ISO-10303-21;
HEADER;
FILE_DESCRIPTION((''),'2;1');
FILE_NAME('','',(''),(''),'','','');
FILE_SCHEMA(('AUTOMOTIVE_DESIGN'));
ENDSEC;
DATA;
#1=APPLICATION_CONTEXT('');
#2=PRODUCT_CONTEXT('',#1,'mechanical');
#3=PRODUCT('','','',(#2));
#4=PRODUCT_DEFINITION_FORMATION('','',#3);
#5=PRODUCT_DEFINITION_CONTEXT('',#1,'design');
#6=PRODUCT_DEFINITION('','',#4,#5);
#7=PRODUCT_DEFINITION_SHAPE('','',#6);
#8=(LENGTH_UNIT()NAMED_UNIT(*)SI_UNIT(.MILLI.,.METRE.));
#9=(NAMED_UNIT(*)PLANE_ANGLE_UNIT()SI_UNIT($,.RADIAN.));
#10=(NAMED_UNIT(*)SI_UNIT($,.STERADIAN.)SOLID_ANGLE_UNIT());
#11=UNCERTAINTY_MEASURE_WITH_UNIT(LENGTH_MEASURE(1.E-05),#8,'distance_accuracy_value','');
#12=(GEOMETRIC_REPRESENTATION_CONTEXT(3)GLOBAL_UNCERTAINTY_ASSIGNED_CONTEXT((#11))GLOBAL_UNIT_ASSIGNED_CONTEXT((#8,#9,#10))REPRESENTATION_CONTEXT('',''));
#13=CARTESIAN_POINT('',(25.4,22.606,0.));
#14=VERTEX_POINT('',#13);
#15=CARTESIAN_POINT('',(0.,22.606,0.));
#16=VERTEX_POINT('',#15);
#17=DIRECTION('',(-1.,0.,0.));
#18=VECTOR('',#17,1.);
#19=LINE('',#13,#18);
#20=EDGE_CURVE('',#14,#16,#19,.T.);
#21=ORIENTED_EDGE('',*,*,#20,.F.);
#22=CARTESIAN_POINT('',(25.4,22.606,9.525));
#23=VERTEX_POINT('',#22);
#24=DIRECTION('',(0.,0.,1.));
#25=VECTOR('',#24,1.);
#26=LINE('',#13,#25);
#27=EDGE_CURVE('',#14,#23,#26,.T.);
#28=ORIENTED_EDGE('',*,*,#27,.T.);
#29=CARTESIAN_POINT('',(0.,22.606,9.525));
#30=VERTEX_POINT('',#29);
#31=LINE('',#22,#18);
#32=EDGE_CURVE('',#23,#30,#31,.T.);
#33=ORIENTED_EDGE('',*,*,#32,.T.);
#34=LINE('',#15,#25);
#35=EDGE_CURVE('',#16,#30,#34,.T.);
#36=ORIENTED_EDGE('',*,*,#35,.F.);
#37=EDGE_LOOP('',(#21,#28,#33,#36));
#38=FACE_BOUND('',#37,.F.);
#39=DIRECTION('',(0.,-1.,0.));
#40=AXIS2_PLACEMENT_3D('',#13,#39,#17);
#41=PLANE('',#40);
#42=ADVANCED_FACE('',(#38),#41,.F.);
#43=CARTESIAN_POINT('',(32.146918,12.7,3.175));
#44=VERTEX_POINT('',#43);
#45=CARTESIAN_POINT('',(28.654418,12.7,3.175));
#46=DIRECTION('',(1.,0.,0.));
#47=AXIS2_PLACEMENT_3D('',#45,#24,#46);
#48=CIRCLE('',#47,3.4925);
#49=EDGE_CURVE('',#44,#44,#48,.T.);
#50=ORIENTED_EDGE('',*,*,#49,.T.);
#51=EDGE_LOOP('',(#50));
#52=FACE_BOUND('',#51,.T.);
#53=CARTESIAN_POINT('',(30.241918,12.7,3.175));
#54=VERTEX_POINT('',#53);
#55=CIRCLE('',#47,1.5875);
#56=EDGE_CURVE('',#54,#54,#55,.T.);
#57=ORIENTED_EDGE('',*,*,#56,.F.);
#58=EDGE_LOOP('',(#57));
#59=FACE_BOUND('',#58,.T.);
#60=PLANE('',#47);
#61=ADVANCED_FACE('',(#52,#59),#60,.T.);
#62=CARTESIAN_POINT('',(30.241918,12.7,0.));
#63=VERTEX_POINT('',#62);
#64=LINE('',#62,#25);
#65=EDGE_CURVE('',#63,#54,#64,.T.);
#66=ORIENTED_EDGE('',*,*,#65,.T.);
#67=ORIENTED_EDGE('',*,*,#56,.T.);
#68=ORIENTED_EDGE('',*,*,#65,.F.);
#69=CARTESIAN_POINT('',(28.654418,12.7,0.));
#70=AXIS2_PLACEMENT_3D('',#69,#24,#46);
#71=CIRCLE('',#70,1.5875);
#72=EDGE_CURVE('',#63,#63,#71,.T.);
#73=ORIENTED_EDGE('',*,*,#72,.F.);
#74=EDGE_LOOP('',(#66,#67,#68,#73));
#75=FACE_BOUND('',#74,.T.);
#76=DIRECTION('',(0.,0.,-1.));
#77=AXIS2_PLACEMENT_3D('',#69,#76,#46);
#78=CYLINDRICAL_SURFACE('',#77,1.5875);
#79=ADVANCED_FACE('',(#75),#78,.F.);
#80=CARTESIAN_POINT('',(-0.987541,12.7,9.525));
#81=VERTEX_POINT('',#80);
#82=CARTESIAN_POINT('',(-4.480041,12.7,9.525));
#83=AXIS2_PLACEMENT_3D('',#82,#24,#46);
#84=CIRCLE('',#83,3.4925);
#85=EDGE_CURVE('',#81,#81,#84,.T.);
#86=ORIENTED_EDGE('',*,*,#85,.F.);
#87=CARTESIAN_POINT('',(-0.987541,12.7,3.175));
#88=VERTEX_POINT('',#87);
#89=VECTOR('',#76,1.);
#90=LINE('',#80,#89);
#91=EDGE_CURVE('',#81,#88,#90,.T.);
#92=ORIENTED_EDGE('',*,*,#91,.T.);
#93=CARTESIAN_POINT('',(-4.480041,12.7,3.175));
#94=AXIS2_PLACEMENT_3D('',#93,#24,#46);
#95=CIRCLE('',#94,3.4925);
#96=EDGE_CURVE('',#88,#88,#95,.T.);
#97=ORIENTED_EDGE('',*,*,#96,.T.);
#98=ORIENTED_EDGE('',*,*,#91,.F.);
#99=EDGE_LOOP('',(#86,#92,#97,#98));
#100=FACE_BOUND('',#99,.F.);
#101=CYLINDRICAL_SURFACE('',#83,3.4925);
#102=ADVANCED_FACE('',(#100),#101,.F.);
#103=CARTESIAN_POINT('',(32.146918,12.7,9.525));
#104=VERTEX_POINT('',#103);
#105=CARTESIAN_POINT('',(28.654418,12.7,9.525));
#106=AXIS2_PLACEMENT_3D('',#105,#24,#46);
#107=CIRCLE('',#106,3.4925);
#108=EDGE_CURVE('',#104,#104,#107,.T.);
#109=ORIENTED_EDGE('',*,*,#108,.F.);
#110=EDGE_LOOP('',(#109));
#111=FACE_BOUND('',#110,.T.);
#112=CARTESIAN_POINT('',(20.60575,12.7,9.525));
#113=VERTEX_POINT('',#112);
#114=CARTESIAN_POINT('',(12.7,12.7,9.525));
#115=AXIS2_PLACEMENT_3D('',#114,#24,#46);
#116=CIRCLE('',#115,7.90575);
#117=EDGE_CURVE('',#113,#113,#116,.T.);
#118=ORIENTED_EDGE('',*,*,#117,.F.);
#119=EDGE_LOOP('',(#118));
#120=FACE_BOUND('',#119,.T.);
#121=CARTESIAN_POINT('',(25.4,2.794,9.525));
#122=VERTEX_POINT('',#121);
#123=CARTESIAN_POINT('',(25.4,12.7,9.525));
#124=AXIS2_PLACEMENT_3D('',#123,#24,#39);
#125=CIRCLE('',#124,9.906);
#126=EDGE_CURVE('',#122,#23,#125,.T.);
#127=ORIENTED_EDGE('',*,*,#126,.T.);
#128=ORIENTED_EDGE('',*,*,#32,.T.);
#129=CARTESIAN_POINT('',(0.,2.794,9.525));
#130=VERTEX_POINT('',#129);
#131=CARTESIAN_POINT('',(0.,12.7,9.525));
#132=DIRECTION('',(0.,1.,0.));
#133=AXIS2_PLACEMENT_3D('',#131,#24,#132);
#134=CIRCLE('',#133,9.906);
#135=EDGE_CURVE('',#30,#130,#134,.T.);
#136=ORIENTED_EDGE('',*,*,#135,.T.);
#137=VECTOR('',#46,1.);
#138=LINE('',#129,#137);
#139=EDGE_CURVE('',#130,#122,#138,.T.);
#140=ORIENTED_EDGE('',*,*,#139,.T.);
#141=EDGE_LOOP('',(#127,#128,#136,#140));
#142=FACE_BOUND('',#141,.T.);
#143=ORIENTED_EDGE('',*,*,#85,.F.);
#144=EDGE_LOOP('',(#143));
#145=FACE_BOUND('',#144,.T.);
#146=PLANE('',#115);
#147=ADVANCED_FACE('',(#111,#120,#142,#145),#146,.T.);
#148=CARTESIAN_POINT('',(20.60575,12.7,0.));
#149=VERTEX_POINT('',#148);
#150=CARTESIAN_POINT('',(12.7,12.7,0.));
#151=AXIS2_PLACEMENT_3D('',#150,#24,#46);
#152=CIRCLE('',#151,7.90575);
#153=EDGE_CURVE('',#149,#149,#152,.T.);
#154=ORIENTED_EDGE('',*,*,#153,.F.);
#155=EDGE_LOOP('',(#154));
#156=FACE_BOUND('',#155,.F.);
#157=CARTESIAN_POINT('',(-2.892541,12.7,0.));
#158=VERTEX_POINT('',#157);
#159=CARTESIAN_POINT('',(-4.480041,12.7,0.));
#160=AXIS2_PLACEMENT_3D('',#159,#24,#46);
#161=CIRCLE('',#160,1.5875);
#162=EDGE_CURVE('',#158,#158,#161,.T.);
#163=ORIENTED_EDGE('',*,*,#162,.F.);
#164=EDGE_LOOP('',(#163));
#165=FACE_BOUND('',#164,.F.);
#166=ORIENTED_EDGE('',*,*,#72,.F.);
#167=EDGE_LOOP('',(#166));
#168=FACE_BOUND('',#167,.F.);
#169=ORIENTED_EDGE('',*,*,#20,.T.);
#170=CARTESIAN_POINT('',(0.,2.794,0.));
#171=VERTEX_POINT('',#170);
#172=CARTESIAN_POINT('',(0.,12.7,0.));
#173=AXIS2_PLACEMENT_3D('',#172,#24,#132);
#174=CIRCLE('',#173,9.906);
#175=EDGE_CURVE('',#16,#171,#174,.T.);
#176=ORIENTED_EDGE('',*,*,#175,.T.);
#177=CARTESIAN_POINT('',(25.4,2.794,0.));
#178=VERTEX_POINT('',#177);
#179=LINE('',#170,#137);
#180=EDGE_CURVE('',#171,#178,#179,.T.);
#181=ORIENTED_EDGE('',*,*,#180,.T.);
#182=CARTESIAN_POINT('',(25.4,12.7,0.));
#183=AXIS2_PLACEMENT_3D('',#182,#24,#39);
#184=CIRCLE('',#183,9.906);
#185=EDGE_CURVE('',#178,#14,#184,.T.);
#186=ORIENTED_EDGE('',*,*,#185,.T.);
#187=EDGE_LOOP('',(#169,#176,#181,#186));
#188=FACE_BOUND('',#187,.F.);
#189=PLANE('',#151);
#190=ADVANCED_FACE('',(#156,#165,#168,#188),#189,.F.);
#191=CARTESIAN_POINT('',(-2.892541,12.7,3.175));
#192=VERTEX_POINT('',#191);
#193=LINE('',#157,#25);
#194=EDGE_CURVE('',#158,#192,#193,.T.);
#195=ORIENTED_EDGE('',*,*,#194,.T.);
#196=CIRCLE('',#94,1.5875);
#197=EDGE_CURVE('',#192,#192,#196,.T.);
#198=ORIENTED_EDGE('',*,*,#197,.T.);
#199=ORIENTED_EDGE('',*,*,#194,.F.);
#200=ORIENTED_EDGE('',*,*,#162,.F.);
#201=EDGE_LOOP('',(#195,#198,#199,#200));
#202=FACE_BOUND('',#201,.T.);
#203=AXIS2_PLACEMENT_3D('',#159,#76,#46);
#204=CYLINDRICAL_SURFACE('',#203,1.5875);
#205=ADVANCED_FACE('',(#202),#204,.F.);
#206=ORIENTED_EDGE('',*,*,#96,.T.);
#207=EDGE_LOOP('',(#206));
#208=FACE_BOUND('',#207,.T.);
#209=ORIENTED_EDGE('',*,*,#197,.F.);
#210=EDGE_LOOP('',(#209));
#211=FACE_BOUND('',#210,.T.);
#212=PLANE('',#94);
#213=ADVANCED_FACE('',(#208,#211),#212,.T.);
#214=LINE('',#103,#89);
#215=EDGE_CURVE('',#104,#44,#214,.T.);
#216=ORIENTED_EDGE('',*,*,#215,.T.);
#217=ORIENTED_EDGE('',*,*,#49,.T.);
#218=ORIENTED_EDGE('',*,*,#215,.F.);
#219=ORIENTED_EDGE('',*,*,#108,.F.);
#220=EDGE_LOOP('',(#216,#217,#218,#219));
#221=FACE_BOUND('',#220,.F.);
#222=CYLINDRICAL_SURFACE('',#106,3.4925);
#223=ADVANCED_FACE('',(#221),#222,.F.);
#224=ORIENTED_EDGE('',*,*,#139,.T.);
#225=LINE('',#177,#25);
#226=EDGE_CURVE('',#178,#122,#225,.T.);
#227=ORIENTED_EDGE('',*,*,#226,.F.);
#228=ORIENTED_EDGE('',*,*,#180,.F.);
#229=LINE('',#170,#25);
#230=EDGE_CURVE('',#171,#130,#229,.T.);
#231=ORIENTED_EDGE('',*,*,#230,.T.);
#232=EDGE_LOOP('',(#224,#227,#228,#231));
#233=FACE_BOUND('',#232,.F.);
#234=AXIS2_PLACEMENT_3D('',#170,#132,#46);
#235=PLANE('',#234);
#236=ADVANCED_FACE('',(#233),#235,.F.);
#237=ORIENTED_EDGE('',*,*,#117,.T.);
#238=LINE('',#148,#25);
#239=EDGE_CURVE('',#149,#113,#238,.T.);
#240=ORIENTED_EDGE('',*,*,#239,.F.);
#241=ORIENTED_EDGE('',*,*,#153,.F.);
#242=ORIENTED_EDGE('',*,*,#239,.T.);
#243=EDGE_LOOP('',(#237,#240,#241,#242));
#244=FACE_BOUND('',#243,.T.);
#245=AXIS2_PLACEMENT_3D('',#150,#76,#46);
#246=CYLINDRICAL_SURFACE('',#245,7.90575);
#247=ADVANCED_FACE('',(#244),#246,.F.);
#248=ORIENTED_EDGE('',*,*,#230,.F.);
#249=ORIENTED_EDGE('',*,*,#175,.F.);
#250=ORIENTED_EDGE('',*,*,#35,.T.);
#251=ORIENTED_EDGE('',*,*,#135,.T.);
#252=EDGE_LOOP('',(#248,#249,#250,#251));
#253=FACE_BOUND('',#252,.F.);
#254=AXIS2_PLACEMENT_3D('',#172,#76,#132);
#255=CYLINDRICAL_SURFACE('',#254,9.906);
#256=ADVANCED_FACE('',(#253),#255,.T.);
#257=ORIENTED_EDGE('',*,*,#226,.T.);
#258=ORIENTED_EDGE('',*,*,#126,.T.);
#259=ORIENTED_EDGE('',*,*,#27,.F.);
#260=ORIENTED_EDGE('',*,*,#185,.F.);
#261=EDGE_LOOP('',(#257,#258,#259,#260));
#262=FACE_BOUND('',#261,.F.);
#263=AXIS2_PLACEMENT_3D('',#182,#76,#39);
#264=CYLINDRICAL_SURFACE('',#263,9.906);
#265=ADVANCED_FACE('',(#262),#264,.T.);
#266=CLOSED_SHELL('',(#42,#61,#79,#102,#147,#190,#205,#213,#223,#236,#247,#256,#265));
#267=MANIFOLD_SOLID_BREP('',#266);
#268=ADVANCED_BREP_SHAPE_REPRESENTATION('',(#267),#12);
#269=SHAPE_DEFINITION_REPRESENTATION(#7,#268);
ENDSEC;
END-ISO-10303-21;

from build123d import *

# Parameters (mm, degrees)
F0_R     = 1.5875
F0_R_2   = 7.90575
F1_DEPTH = 9.525
F2_R     = 3.4925
F2_R_2   = 1.5875
F3_DEPTH = 6.35


with BuildPart() as f1:
    # F0 (on Top) → F1 (new body)
    with BuildSketch(Plane.XY):
        with BuildLine():
            Line((25.4, 22.606), (0, 22.606))
            ThreePointArc((0, 22.606), (-9.906, 12.7), (0, 2.794))
            Line((0, 2.794), (25.4, 2.794))
            ThreePointArc((25.4, 2.794), (35.306, 12.7), (25.4, 22.606))
        make_face()
        with Locations((-4.480041, 12.7)):
            Circle(F0_R, mode=Mode.SUBTRACT)
        with Locations((12.7, 12.7)):
            Circle(F0_R_2, mode=Mode.SUBTRACT)
        with Locations((28.654418, 12.7)):
            Circle(F0_R, mode=Mode.SUBTRACT)
    extrude(amount=F1_DEPTH)

    # F2 (on face) → F3 (cut)
    with BuildSketch(Plane.XY.offset(9.525)):
        with Locations((-4.480041, 12.7)):
            Circle(F2_R)
        with Locations((-4.480041, 12.7)):
            Circle(F2_R_2, mode=Mode.SUBTRACT)
        with Locations((28.654418, 12.7)):
            Circle(F2_R)
        with Locations((28.654418, 12.7)):
            Circle(F2_R_2, mode=Mode.SUBTRACT)
    extrude(amount=-F3_DEPTH, mode=Mode.SUBTRACT)


solid = f1.part
